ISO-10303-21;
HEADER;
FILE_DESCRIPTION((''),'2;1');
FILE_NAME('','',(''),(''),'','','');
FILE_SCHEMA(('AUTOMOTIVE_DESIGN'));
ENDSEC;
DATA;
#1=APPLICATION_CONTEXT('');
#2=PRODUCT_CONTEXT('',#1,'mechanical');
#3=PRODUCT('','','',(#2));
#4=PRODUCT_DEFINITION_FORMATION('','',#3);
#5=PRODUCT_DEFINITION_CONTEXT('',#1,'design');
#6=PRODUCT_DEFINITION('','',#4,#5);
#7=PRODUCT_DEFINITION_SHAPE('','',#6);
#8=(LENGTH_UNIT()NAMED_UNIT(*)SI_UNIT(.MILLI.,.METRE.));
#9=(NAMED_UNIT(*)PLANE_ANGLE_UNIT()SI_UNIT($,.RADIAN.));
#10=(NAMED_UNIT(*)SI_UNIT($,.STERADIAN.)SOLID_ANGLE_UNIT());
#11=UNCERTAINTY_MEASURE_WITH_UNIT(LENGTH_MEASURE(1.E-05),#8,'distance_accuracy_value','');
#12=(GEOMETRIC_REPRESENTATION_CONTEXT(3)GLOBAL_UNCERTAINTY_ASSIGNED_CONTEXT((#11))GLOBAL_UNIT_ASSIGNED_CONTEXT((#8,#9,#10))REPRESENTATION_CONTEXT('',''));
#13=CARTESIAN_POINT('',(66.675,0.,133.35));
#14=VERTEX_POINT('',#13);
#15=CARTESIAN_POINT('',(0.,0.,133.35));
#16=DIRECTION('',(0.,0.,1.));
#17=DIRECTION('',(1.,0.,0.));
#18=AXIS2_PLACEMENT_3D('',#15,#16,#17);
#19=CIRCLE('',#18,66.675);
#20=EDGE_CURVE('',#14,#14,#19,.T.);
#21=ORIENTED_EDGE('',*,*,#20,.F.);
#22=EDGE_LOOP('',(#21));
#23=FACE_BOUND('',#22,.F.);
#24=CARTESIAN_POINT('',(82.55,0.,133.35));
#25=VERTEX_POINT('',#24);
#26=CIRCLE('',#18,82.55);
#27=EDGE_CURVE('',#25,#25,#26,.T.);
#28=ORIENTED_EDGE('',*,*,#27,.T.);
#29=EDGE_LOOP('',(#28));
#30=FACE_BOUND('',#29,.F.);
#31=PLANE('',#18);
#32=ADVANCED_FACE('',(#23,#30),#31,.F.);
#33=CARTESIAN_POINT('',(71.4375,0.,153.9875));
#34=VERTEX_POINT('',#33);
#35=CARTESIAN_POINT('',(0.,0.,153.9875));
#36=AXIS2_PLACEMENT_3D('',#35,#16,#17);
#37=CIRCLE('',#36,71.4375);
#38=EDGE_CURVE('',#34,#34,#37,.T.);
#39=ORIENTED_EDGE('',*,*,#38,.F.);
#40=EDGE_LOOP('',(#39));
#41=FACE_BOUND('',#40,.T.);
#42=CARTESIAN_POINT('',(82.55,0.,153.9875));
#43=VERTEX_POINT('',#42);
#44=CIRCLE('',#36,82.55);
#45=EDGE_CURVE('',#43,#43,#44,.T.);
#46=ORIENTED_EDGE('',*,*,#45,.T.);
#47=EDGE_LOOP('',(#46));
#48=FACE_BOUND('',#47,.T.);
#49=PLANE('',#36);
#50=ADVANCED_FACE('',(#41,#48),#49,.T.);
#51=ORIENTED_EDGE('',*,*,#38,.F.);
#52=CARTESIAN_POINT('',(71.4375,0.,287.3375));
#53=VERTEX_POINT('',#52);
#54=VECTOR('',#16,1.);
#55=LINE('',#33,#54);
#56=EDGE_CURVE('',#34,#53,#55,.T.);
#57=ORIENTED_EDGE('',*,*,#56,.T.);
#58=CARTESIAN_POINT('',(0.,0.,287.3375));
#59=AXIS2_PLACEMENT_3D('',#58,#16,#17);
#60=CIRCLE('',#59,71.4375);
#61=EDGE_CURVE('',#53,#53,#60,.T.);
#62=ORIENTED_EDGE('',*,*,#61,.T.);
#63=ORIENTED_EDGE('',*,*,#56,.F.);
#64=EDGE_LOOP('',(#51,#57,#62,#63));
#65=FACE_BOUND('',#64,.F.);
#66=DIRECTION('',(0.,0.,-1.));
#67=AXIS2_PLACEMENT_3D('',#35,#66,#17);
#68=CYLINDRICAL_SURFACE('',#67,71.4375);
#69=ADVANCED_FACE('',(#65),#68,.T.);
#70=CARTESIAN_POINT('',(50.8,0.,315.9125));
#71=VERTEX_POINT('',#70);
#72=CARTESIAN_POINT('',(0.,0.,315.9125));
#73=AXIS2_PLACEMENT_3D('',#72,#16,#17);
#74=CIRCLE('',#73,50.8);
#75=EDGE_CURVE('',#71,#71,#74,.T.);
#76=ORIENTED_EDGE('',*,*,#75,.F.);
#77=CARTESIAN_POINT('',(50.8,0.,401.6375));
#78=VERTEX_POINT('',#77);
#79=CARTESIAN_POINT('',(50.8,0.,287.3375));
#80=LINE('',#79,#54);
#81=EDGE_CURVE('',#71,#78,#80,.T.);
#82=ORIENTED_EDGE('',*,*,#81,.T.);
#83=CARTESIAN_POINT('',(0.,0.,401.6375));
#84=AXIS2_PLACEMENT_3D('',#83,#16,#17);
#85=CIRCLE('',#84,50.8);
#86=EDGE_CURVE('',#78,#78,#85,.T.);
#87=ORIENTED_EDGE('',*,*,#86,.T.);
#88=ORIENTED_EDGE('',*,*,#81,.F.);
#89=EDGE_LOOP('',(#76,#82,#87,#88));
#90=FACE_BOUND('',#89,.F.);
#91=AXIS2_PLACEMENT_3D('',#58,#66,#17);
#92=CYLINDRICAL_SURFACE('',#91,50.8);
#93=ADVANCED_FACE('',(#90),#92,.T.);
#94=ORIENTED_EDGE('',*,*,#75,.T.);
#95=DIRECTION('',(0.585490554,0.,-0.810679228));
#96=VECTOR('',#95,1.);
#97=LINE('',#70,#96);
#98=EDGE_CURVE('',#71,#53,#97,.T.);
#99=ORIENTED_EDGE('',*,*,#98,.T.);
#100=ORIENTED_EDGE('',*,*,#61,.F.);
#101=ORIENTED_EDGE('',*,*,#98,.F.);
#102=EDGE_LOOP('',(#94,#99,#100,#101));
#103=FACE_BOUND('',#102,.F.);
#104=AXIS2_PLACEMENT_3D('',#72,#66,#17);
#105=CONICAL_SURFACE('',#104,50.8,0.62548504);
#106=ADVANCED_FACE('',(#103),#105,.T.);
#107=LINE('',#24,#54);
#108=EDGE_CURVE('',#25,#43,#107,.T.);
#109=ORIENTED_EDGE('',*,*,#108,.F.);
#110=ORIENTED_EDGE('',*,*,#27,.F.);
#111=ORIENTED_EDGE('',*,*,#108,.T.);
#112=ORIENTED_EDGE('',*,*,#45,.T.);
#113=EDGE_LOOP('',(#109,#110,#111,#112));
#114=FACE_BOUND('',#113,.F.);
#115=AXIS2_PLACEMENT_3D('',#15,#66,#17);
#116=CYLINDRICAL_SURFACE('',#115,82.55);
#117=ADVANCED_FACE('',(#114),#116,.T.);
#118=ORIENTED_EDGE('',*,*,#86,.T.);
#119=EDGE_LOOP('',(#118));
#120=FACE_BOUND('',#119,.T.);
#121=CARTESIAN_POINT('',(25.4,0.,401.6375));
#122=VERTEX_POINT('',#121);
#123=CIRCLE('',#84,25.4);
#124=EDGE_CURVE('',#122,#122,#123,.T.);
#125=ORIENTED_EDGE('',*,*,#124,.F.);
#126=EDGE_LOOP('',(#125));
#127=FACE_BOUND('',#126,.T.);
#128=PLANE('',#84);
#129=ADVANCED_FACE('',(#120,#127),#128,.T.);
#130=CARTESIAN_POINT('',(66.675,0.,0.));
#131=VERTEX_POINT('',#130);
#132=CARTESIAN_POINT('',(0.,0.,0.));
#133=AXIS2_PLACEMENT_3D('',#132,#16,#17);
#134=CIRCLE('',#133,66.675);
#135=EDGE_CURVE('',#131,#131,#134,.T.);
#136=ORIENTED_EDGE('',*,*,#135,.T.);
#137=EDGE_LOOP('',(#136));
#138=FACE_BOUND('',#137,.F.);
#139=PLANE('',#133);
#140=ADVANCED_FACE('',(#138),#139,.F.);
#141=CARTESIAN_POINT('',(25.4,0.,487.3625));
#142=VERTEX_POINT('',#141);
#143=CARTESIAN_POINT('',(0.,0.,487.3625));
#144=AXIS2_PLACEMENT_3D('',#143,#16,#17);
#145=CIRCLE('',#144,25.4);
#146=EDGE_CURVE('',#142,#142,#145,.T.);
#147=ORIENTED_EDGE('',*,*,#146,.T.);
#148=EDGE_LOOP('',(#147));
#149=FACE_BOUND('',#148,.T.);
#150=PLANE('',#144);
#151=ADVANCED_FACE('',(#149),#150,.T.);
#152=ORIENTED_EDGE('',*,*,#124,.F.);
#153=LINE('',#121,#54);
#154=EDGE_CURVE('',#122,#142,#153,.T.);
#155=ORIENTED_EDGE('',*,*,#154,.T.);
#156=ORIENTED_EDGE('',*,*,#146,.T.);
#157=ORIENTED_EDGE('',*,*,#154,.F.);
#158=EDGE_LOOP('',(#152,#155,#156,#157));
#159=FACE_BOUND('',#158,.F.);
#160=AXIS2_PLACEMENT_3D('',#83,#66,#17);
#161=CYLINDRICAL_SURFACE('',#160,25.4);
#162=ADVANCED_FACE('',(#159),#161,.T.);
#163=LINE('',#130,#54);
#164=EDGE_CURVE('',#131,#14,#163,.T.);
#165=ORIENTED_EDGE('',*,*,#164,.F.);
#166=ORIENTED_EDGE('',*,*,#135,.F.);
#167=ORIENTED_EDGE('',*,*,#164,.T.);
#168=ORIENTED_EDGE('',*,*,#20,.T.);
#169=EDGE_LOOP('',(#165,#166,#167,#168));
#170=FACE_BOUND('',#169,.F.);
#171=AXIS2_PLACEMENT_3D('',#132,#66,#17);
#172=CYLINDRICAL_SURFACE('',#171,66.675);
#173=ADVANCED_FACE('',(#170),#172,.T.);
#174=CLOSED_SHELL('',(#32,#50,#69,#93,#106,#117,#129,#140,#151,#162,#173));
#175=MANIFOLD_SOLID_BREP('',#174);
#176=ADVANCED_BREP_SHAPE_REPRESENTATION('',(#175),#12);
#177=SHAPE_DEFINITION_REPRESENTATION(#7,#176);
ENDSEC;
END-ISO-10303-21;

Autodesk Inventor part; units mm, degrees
ref_plane "YZ Plane" through (0, 0, 0) normal (1, 0, 0) x (0, 1, 0)
ref_plane "XZ Plane" through (0, 0, 0) normal (0, 1, 0) x (-1, 0, 0)
sketch "Sketch1" plane through (0, 0, 0) normal (0, 0, 1) x (1, 0, 0)
  circle A0 centre (0, 0) radius 66.675
  dimension "d0" = 133.35
extrude "Extrusion1" add sketch "Sketch1" along normal blind 133.35
sketch "Sketch2" plane through (0, 0, 133.35) normal (0, 0, 1) x (1, 0, 0)
  circle A0 centre (0, 0) radius 82.55
  dimension "d3" = 165.1
extrude "Extrusion2" add sketch "Sketch2" along normal blind 20.6375
sketch "Sketch3" plane through (0, 0, 153.9875) normal (0, 0, 1) x (1, 0, 0)
  circle A0 centre (0, 0) radius 71.4375
  dimension "d6" = 142.875
extrude "Extrusion3" add sketch "Sketch3" along normal blind 133.35
sketch "Sketch4" plane through (0, 0, 287.3375) normal (0, 0, 1) x (1, 0, 0)
  circle A0 centre (0, 0) radius 50.8
  dimension "d9" = 101.6
extrude "Extrusion4" add sketch "Sketch4" along normal blind 114.3
sketch "Sketch5" plane through (0, 0, 401.6375) normal (0, 0, 1) x (1, 0, 0)
  circle A0 centre (0, 0) radius 25.4
  dimension "d12" = 50.8
extrude "Extrusion5" add sketch "Sketch5" along normal blind 85.725
ref_plane "Work Plane1" through (0, 0, 487.3625) normal (0, 1, 0) x (0, 0, 1)
sketch "Sketch6" plane through (0, 0, 487.3625) normal (0, 1, 0) x (0, 0, 1)
  line L0 (-200.025, -71.4375) -> (-200.025, 71.4375) projected
  line L1 (-171.45, 50.8) -> (-200.025, 71.4375)
  line L2 (-85.725, -50.8) -> (-85.725, 50.8) projected
  line L3 (-85.725, 50.8) -> (-200.025, 50.8)
  line L4 (-200.025, 71.4375) -> (-200.025, 50.8)
  line L5 (-584.835, 0) -> (97.4725, 0) projected
  point P0 (-487.3625, 0)
  dimension "d21" = 28.575
revolve "Revolution1" add sketch "Sketch6" angle 360 about axis through (0, 0, 487.3625) along (0, 0, 1) contours L0 L1 L3
properties part number "BC501A _Organic_scintillator_module"
